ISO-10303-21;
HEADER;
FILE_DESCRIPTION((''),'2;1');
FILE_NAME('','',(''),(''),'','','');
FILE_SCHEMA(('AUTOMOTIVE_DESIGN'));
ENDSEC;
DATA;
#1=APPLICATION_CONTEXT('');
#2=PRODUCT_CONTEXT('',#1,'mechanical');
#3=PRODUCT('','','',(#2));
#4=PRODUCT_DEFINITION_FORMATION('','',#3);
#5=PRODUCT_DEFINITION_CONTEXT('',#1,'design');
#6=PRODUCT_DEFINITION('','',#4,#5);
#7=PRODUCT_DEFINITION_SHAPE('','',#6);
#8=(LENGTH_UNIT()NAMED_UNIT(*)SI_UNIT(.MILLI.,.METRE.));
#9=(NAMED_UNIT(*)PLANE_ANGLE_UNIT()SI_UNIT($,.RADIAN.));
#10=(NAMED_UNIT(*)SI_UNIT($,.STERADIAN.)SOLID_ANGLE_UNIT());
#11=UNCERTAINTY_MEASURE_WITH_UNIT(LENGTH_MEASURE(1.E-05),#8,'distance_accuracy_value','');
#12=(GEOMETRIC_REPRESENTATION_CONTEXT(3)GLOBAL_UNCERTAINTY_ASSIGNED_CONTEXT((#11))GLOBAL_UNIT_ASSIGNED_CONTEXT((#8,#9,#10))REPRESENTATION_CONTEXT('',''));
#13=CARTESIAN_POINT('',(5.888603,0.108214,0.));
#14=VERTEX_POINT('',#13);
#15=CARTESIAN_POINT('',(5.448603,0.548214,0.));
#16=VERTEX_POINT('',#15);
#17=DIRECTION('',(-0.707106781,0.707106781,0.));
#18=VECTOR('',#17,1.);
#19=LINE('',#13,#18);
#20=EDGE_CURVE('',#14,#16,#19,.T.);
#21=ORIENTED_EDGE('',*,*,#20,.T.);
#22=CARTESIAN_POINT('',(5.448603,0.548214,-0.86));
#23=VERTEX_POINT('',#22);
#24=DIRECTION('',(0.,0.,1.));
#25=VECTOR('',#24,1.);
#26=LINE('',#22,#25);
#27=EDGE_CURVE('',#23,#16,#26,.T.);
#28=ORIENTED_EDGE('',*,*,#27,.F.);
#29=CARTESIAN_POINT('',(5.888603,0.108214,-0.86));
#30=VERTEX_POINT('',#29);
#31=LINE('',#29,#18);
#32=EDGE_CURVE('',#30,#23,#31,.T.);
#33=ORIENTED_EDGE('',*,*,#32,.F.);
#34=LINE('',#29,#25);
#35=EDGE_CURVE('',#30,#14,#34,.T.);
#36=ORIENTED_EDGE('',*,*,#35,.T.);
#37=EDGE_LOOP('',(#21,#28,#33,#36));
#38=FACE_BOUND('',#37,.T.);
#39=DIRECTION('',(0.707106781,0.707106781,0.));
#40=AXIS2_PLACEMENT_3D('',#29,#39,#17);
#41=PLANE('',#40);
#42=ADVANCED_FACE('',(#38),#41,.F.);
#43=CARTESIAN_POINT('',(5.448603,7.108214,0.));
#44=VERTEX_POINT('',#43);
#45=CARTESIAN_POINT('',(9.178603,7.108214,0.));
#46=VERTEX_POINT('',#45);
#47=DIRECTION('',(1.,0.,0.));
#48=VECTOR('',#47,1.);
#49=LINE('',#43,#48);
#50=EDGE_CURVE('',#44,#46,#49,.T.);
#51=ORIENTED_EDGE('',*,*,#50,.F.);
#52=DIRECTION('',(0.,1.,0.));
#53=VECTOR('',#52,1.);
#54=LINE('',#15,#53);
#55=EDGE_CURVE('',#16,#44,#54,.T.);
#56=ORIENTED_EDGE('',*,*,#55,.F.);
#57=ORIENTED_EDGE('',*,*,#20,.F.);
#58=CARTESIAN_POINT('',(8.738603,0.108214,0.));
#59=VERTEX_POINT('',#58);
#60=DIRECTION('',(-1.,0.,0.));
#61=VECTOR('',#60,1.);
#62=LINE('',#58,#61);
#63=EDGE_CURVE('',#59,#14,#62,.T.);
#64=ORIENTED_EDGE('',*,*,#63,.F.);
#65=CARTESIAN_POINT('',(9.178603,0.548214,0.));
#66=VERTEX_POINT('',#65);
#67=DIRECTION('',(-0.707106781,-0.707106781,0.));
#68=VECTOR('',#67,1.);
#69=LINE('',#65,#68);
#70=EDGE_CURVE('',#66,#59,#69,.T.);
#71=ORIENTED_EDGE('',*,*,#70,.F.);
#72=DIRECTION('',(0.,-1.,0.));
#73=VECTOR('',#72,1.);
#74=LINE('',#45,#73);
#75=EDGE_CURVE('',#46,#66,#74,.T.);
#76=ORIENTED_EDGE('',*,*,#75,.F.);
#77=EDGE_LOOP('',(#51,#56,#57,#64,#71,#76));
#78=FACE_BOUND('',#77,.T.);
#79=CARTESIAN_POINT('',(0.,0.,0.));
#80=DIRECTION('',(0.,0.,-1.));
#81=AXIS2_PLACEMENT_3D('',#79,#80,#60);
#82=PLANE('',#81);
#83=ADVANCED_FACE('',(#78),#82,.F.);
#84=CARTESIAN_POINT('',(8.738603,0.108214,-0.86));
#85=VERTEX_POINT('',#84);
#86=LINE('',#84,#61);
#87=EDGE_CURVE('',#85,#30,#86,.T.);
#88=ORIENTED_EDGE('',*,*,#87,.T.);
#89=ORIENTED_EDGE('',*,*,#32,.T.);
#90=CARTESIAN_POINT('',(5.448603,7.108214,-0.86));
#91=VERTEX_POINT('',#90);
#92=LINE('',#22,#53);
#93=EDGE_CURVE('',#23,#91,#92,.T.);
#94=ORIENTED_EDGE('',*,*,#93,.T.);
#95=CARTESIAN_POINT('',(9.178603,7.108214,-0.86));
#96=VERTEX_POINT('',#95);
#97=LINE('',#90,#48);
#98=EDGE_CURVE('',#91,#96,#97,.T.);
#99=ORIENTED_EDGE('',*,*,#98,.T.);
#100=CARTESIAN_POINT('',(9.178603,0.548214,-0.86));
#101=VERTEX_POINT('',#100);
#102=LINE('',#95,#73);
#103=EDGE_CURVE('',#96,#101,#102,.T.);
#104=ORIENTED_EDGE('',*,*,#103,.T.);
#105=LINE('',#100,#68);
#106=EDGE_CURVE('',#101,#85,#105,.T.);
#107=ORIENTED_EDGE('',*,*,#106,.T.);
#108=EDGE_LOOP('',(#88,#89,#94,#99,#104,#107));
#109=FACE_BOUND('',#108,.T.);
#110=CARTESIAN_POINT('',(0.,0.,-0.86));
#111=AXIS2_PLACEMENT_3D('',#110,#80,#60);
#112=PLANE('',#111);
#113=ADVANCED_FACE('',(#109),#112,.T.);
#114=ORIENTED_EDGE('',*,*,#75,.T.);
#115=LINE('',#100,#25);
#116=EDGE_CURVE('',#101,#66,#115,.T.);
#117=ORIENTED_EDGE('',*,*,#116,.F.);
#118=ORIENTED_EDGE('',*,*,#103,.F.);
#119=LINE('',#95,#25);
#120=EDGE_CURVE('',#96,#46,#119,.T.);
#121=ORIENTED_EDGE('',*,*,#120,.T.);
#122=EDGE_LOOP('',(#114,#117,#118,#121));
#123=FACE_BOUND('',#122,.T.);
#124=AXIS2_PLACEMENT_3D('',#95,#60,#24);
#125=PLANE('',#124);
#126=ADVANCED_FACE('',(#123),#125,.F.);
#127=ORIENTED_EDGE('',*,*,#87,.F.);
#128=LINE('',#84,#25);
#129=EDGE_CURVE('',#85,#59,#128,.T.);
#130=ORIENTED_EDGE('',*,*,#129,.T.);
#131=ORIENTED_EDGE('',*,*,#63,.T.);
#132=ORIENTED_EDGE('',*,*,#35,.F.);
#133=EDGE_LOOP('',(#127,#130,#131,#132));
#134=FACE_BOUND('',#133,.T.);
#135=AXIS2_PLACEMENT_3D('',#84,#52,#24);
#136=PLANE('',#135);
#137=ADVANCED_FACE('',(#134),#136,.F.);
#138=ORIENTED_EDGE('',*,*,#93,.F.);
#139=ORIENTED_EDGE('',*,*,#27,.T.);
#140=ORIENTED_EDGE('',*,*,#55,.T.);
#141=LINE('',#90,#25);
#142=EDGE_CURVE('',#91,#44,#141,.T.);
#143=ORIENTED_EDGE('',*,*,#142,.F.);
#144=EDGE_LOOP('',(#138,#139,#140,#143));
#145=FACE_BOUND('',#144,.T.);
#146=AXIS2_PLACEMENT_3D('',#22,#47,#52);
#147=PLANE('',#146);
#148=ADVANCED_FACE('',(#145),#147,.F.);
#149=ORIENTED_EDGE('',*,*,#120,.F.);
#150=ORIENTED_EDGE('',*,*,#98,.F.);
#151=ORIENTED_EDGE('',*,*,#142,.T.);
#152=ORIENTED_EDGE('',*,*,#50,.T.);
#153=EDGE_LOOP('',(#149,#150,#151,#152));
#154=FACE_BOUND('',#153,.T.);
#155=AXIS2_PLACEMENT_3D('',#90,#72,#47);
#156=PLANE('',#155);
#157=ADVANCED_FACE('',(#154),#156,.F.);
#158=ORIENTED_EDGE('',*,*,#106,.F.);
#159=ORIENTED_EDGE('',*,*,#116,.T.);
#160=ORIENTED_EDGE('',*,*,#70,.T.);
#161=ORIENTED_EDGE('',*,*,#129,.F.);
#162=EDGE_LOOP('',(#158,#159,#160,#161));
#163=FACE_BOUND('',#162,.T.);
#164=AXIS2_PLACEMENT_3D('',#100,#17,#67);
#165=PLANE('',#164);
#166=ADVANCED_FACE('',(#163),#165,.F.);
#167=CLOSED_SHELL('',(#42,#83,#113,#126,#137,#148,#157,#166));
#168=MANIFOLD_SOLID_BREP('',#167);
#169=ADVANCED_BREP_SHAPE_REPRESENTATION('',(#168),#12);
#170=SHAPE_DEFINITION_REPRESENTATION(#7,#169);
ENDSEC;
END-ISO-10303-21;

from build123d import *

# Parameters (mm, degrees)
BOSS_EXTRUDE1_DEPTH = 0.86


with BuildPart() as part:
    # Sketch1 → Boss-Extrude1 (new body)
    with BuildSketch(Plane(origin=(0, 0, 0), x_dir=(-1, 0, 0), z_dir=(0, 0, -1))):
        Polygon((-8.738603111, 0.108213984), (-5.888603111, 0.108213984), (-5.448603111, 0.548213984), (-5.448603111, 7.108213984), (-9.178603111, 7.108213984), (-9.178603111, 0.548213984), align=None)
    extrude(amount=BOSS_EXTRUDE1_DEPTH)


solid = part.part
